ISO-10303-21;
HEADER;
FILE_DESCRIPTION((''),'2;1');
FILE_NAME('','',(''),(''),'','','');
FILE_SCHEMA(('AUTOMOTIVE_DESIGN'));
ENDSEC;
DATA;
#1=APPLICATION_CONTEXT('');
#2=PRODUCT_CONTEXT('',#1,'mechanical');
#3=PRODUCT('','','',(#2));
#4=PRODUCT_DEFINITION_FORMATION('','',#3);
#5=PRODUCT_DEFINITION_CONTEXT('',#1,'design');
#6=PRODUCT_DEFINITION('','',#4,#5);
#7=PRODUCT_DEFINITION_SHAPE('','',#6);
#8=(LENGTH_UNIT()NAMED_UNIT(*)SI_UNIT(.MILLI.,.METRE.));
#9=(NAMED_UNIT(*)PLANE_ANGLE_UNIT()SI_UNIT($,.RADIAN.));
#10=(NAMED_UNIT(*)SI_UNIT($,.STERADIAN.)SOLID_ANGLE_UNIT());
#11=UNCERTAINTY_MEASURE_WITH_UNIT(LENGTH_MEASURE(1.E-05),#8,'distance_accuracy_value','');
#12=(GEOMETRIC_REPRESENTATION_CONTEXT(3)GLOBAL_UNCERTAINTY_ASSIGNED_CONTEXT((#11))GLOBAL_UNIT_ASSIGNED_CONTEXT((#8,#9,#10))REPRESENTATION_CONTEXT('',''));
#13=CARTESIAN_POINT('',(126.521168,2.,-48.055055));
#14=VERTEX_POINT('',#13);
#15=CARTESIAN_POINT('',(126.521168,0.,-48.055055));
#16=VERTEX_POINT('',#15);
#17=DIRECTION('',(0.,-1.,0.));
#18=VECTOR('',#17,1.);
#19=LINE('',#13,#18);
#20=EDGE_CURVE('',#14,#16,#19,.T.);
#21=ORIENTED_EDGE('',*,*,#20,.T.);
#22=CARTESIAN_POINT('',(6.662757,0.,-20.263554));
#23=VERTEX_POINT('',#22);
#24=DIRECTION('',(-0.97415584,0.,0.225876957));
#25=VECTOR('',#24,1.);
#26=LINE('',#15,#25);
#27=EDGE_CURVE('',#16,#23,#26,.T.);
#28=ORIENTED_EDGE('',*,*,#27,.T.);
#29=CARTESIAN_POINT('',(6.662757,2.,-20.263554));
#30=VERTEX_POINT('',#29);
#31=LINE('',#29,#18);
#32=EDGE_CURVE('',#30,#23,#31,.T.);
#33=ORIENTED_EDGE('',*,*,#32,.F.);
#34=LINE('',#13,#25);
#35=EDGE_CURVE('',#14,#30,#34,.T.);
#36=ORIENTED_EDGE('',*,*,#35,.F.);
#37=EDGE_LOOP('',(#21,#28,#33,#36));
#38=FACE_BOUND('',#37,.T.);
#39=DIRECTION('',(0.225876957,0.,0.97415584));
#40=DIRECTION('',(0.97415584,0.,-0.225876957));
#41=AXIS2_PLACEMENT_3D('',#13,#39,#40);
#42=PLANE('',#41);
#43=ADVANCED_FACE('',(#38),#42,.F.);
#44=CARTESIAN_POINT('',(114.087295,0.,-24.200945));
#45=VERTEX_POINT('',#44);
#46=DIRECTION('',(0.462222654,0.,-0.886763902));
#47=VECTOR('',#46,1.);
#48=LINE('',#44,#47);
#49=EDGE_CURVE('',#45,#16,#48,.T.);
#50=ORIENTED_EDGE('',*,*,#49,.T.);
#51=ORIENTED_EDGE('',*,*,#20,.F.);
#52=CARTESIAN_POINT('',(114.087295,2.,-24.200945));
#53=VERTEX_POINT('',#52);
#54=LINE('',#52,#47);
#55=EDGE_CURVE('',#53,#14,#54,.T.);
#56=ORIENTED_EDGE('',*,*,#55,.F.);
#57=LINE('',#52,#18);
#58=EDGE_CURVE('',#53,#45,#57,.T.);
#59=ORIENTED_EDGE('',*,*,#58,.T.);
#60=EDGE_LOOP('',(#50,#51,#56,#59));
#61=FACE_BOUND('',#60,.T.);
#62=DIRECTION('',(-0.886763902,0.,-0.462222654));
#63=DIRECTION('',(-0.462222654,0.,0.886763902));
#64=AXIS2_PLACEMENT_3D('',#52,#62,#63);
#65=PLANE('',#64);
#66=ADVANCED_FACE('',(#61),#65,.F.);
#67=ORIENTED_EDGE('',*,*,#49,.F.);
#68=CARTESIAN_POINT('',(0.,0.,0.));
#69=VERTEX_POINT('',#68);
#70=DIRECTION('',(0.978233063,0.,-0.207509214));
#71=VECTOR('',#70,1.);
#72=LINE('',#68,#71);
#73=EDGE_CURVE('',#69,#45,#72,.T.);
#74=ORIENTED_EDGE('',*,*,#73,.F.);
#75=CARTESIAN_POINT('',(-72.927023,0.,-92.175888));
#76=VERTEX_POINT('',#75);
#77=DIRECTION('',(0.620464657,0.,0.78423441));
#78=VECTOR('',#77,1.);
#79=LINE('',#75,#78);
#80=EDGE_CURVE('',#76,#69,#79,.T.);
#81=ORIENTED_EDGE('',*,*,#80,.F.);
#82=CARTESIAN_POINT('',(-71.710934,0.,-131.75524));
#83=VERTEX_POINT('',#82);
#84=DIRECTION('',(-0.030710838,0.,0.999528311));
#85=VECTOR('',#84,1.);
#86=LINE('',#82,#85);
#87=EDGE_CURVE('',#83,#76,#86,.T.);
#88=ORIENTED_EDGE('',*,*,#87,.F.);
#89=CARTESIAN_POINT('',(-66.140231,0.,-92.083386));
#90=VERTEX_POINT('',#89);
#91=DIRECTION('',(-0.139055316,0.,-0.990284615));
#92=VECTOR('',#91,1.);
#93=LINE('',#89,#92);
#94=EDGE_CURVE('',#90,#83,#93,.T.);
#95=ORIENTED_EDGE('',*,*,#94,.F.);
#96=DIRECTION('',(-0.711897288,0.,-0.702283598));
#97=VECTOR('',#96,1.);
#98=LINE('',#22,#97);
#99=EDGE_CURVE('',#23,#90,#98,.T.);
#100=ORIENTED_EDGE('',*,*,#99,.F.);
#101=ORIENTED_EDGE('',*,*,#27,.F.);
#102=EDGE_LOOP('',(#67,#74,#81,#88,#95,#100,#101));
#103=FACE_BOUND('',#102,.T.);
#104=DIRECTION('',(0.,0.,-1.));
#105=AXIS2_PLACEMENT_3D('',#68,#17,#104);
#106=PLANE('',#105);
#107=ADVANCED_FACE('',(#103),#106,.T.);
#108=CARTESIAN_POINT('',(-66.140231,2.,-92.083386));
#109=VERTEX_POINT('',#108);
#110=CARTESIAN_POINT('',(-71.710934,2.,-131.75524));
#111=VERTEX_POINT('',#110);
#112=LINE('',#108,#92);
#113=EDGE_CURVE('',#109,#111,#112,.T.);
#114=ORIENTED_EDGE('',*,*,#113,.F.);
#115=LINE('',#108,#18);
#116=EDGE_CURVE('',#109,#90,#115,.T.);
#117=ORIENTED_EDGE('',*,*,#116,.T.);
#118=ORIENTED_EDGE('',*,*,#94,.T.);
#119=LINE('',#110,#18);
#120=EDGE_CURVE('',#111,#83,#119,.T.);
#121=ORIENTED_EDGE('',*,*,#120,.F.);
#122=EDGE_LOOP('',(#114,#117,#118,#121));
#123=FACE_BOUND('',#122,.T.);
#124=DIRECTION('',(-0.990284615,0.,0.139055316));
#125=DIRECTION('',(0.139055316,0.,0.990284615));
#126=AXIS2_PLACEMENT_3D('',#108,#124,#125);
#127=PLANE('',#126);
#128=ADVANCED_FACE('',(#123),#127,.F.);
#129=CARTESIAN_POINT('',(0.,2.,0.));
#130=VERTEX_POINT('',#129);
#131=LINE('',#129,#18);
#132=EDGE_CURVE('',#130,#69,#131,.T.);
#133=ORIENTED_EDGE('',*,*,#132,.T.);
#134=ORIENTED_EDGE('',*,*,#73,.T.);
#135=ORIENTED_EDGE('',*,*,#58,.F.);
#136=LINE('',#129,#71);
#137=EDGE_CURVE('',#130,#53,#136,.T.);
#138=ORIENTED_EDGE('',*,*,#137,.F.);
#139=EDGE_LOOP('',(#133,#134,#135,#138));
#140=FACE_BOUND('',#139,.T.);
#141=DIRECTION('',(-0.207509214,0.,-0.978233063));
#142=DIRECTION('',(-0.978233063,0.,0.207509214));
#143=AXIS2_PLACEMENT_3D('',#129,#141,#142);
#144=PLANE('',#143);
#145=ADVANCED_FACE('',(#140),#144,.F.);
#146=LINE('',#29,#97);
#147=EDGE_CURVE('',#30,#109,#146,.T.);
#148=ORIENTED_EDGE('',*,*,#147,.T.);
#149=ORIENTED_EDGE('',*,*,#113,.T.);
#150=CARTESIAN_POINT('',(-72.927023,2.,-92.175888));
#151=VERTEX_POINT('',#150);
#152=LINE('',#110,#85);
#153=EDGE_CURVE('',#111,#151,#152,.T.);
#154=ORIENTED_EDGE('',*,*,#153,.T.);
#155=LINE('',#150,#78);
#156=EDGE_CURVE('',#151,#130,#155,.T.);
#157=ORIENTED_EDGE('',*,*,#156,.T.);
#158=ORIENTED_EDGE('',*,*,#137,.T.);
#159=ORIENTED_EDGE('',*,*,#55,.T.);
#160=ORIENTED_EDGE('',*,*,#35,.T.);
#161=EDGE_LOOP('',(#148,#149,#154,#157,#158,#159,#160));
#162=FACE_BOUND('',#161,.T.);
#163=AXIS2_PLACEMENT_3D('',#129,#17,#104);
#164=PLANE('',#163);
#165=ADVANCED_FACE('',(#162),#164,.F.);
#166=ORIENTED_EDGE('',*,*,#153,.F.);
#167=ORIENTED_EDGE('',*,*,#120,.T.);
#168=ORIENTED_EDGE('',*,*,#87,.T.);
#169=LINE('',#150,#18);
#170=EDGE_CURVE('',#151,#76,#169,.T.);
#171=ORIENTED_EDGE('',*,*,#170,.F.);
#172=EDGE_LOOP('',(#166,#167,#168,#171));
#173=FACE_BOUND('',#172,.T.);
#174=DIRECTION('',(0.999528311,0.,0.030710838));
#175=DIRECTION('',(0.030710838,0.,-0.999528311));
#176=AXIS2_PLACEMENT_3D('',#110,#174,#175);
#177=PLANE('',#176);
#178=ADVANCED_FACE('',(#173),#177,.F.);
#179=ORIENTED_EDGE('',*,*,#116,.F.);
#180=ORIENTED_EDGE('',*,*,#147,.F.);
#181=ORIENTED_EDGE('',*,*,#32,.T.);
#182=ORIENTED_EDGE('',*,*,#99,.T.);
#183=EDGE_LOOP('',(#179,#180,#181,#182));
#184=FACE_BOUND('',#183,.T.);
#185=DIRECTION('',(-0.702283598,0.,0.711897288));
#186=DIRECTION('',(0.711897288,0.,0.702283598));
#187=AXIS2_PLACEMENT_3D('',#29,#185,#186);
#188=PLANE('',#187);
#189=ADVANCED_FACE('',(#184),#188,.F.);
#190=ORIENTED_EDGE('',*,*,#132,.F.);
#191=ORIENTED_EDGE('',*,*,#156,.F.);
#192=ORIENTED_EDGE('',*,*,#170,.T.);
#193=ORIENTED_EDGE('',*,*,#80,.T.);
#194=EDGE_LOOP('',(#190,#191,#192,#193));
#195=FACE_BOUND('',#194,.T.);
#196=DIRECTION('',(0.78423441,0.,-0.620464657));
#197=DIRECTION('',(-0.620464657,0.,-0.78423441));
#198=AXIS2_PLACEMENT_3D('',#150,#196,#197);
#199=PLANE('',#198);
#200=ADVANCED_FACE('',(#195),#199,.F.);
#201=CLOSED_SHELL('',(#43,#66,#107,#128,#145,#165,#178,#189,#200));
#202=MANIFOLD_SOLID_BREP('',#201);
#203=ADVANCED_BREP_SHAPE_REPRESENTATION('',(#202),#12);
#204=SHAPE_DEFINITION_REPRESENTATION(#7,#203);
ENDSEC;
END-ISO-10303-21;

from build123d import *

# Parameters (mm, degrees)
BOSS_EXTRU_1_DEPTH = 2


with BuildPart() as part:
    # Esquisse1 → Boss.-Extru.1 (new body)
    with BuildSketch(Plane(origin=(0, 0, 0), x_dir=(1, 0, 0), z_dir=(0, 1, 0))):
        Polygon((-71.710934493, 131.755240155), (-72.927023173, 92.175888373), (0, 0), (114.087295212, 24.200945353), (126.521168393, 48.055055047), (6.662756585, 20.263553715), (-66.14023075, 92.083386076), align=None)
    extrude(amount=BOSS_EXTRU_1_DEPTH)


solid = part.part
